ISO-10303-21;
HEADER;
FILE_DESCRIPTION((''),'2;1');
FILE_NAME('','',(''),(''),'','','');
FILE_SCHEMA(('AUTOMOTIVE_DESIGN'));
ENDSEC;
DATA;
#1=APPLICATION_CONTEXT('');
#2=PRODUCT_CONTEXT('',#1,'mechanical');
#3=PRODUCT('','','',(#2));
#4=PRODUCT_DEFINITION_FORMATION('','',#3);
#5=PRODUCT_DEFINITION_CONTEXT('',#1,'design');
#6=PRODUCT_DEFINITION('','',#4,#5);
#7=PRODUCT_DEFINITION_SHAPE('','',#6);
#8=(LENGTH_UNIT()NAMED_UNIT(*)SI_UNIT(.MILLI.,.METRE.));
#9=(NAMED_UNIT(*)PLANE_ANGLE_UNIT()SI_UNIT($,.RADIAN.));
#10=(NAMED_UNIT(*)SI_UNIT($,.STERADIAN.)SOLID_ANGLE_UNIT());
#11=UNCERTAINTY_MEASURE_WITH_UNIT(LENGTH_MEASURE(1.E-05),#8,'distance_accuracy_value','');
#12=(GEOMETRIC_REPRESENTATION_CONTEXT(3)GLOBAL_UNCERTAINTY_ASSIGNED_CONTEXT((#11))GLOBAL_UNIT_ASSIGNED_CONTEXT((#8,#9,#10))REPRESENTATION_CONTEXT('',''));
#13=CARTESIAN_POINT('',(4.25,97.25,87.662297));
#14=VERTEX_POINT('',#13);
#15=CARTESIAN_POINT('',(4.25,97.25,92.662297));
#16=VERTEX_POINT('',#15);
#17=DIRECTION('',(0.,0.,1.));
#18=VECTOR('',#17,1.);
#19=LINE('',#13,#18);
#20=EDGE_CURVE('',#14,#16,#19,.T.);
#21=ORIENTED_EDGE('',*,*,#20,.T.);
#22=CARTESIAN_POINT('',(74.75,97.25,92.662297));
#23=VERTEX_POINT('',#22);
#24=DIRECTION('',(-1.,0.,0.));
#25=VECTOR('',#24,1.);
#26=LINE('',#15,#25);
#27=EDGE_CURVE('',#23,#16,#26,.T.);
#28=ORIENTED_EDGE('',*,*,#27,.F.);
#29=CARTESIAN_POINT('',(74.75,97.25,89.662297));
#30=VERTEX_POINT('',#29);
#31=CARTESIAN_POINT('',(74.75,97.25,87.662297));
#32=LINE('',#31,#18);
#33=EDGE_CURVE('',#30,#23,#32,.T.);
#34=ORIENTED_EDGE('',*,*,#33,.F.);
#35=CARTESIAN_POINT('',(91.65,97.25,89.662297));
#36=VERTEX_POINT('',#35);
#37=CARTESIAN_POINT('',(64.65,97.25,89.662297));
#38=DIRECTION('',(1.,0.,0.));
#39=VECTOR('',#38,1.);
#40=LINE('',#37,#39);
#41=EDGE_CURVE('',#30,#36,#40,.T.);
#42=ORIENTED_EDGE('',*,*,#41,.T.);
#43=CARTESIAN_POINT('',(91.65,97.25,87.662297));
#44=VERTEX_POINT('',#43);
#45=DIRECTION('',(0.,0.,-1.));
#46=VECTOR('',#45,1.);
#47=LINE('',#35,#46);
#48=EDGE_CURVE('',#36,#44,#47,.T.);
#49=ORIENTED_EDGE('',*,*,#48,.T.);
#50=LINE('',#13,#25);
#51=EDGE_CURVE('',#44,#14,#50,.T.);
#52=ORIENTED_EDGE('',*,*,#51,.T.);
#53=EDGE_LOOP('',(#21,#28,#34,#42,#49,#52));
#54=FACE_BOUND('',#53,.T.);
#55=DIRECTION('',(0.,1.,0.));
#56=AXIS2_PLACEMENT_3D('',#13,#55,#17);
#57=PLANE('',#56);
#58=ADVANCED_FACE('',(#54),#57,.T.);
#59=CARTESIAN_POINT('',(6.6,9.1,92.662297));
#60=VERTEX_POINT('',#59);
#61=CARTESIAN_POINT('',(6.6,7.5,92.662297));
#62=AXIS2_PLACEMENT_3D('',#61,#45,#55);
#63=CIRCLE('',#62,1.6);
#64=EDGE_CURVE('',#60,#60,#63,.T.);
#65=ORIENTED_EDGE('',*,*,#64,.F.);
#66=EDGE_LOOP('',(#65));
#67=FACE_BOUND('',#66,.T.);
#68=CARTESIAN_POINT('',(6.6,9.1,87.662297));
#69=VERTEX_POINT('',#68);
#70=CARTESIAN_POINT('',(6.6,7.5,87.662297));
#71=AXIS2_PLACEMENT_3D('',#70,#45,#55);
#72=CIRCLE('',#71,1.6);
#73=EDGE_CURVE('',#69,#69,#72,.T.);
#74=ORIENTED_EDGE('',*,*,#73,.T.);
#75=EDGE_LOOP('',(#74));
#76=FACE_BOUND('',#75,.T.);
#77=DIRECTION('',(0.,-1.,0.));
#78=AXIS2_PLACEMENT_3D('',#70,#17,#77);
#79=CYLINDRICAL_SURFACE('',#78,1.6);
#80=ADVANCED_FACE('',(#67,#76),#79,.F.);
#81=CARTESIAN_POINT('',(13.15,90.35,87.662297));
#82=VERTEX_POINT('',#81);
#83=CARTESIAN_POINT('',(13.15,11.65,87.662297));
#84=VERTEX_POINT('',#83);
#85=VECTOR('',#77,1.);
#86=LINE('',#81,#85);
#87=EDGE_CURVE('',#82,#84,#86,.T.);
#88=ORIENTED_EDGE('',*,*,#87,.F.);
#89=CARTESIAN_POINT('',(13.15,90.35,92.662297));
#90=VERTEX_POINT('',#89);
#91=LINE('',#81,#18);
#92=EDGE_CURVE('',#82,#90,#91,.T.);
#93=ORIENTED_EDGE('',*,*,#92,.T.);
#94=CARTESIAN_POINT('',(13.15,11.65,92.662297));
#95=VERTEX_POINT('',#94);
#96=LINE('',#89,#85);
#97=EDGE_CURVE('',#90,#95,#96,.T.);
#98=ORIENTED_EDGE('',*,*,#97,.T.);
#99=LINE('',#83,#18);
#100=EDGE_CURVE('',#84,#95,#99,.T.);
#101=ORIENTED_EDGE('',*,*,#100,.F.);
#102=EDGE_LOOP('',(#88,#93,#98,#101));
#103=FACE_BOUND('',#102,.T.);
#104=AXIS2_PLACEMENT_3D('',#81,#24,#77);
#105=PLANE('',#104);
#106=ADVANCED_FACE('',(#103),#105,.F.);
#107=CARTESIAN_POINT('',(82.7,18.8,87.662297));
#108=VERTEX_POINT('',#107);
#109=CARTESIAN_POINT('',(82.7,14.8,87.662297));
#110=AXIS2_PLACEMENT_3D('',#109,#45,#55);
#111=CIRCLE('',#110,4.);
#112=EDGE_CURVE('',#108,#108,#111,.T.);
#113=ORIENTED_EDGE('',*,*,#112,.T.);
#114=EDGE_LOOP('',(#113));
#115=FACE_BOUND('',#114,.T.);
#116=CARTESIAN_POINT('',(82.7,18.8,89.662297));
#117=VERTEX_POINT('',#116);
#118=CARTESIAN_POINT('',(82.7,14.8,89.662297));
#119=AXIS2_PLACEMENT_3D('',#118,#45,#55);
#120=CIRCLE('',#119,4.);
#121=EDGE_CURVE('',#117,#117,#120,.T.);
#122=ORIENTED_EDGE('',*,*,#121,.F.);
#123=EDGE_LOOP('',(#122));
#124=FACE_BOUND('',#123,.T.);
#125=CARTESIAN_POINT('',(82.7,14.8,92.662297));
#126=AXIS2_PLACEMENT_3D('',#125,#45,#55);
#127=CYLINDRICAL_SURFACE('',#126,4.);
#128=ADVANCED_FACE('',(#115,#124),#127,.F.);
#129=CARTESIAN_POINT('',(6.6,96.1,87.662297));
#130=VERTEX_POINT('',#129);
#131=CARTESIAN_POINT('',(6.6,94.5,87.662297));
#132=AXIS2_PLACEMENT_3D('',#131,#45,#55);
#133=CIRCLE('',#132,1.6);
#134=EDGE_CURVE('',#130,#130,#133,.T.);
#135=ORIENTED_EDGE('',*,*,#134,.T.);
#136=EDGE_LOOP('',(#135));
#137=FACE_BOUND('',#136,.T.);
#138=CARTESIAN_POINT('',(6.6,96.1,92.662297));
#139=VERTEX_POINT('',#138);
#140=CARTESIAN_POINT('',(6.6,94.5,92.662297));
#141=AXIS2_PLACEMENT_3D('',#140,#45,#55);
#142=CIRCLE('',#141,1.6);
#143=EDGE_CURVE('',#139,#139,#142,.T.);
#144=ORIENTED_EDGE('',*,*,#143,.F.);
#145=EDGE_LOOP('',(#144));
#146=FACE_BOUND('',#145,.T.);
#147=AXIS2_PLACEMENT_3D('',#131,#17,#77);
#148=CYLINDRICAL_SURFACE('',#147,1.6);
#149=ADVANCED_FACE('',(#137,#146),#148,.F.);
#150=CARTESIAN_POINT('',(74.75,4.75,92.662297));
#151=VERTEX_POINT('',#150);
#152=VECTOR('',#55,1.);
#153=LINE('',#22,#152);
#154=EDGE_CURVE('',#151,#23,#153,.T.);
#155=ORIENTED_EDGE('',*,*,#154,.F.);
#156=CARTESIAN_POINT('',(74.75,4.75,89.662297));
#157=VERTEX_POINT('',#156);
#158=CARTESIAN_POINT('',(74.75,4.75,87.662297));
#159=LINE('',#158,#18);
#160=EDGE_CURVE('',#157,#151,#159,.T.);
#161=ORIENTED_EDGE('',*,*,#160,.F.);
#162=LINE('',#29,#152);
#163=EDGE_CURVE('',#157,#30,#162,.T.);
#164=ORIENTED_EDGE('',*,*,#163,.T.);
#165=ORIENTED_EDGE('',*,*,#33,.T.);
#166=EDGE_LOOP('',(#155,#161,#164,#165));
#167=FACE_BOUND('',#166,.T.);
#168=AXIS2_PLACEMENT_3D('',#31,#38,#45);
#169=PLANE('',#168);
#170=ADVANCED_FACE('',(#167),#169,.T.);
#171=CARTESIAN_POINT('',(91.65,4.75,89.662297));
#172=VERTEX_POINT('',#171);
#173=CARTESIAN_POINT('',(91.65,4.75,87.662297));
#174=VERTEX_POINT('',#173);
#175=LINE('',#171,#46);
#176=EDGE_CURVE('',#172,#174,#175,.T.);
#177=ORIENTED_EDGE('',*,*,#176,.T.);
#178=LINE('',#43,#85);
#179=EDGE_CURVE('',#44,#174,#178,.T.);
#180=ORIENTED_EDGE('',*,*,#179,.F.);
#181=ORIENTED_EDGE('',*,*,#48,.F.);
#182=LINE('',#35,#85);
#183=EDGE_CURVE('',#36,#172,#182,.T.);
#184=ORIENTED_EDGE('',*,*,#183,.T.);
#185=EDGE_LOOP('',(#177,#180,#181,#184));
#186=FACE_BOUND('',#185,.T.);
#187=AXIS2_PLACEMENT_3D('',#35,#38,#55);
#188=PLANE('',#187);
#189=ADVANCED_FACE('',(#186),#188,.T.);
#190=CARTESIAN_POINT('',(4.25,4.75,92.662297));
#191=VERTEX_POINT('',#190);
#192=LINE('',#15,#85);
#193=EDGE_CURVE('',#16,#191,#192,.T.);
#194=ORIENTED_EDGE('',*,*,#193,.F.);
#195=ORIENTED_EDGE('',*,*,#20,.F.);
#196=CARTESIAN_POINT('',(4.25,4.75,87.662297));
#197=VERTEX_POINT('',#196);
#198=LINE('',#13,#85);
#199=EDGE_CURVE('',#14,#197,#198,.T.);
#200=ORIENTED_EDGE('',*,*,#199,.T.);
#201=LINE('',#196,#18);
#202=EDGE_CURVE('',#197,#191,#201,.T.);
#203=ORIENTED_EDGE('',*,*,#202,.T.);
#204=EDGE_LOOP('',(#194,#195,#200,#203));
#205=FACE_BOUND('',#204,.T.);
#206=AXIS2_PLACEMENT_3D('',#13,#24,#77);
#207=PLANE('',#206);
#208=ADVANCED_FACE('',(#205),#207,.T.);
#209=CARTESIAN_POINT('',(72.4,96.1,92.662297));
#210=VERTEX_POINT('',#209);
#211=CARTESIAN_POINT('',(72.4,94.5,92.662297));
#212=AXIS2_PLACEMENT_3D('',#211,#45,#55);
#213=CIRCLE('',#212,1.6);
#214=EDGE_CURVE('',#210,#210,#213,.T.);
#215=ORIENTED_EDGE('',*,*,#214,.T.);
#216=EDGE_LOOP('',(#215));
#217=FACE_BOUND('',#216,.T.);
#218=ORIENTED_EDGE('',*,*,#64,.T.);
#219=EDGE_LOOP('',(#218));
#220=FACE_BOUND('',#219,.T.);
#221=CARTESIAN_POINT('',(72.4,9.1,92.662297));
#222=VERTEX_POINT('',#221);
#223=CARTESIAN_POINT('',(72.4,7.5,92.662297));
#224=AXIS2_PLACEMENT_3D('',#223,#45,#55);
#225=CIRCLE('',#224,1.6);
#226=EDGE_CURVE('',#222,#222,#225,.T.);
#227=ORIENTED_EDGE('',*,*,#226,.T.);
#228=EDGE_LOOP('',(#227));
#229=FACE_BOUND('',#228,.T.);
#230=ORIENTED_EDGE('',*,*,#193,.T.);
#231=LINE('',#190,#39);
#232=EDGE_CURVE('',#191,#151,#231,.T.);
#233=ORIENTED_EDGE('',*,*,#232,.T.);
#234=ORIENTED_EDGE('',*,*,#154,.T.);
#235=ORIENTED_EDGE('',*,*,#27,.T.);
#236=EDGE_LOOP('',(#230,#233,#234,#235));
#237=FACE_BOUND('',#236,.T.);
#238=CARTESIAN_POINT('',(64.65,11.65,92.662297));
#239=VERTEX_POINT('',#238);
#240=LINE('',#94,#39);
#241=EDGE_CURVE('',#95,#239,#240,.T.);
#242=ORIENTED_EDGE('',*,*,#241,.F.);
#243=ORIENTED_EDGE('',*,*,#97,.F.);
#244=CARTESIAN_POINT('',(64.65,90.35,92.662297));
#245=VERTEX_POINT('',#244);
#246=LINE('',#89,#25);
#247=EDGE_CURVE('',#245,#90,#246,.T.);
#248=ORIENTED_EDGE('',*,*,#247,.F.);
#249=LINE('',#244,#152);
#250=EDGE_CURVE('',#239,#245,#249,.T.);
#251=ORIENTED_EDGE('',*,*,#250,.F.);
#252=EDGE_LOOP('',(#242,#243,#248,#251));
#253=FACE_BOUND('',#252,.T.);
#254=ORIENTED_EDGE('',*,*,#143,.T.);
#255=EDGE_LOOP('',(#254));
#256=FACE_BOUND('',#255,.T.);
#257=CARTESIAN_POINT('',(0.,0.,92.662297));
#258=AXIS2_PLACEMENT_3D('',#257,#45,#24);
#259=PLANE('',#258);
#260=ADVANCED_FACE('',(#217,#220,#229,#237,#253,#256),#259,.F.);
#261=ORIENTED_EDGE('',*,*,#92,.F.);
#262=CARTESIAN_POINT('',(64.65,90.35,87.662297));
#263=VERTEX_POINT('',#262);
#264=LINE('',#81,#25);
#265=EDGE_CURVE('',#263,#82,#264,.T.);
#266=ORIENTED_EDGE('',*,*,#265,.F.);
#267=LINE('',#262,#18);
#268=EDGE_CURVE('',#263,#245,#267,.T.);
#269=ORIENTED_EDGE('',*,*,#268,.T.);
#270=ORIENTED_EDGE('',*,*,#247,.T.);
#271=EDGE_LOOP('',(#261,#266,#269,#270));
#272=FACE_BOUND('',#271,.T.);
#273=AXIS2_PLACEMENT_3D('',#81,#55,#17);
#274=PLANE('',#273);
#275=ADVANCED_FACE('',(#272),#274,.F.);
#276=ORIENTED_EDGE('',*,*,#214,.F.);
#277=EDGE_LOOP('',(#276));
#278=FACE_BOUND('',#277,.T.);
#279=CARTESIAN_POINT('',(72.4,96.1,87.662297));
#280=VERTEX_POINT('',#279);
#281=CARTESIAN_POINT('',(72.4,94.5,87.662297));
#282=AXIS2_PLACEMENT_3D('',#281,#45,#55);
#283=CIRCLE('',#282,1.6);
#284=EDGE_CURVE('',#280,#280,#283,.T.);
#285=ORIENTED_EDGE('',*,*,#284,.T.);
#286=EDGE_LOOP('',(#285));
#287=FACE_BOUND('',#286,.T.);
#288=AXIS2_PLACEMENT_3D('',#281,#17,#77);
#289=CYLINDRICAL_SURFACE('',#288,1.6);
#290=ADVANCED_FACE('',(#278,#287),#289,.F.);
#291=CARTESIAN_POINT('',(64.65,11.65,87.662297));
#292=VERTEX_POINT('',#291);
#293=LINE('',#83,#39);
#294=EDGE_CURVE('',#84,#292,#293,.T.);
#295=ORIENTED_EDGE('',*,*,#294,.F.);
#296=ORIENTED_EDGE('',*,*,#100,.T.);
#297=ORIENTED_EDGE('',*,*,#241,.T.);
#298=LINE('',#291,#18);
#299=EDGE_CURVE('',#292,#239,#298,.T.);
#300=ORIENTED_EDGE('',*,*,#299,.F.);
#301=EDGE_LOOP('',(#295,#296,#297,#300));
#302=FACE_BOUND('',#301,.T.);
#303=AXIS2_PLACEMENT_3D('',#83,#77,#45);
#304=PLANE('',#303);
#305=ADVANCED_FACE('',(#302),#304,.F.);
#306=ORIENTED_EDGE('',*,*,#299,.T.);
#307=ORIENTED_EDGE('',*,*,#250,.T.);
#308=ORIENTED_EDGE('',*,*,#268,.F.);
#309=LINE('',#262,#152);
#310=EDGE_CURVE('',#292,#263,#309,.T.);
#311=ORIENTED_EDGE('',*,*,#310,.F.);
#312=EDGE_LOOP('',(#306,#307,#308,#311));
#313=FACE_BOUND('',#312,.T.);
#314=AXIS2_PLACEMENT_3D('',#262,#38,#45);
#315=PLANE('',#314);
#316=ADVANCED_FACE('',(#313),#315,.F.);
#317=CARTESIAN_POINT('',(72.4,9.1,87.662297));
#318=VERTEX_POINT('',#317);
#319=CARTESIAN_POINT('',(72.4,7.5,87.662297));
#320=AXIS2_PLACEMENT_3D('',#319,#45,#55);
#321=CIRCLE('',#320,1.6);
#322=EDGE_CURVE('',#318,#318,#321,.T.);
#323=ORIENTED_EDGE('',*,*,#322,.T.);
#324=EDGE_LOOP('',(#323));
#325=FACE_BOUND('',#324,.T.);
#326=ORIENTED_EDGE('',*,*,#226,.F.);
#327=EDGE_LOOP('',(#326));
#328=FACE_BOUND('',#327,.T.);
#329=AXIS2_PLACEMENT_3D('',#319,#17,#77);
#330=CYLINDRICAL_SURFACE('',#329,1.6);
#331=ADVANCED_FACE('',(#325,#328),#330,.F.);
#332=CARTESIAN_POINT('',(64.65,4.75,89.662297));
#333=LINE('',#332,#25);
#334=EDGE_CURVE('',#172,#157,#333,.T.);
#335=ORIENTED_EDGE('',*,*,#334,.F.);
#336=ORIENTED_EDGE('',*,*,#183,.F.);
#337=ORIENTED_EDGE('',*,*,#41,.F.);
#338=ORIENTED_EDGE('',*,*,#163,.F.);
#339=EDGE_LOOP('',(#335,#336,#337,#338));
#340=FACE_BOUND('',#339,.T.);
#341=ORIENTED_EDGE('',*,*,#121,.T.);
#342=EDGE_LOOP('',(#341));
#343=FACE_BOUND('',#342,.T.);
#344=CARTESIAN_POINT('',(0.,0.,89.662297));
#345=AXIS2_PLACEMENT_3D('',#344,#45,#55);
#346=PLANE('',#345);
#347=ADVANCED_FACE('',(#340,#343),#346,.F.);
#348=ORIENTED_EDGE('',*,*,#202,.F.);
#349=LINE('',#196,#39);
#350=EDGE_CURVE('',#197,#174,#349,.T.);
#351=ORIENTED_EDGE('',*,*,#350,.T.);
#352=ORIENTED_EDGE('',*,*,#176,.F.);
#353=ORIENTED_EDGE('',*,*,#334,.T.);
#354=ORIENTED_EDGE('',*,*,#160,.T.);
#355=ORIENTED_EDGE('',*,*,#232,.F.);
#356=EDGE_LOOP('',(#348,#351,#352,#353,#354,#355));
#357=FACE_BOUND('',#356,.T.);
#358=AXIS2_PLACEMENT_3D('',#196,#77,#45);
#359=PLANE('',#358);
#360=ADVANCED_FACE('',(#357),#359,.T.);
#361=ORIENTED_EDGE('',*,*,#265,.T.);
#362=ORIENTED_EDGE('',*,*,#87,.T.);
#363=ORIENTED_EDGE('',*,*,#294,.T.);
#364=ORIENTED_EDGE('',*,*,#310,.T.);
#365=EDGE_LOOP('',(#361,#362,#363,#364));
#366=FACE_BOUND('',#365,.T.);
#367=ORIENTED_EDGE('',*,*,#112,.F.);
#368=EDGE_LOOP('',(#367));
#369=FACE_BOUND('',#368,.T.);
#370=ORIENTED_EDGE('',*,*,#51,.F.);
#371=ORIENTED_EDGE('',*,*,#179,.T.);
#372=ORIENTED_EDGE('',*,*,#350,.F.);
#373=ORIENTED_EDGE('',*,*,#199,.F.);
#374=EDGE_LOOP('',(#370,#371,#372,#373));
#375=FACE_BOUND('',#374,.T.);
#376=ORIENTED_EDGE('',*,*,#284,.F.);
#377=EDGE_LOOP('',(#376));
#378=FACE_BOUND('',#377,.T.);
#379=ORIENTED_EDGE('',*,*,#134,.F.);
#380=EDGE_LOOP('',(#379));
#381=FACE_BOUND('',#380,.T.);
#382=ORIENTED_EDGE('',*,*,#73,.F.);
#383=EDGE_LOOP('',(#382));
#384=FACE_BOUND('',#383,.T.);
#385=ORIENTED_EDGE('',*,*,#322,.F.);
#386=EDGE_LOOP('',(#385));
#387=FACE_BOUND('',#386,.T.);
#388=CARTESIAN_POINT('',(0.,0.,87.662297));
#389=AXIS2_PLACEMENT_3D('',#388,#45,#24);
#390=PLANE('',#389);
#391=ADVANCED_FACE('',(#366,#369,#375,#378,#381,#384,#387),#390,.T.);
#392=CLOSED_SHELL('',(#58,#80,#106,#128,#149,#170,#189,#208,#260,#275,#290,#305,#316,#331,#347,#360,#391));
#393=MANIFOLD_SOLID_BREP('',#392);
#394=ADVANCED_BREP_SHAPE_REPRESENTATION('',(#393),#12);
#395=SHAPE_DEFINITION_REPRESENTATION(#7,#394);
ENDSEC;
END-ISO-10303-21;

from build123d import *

# Parameters (mm, degrees)
SKETCH_1_W          = 71
SKETCH_1_H          = 93
SKETCH_1_R          = 1.6
SKETCH_1_W_2        = 51
SKETCH_1_H_2        = 78.2
EXTRUDE_1_DEPTH     = 5
SKETCH_2_W          = 71
SKETCH_2_H          = 93
SKETCH_2_W_2        = 70.5
SKETCH_2_H_2        = 92.5
CUT_EXTRUDE_1_DEPTH = 6
SKETCH_3_W          = 51.5
SKETCH_3_H          = 78.7
SKETCH_3_W_2        = 51
SKETCH_3_H_2        = 78.2
CUT_EXTRUDE_2_DEPTH = 6
SKETCH_5_W          = 27
SKETCH_5_H          = 92.5
SKETCH_5_R          = 1.6
EXTRUDE_3_DEPTH     = 2
SKETCH_7_R          = 4
CUT_EXTRUDE_3_DEPTH = 6


with BuildPart() as part:
    # Эскиз1 → Бобышка-Вытянуть1 (new body)
    with BuildSketch(Plane(origin=(0, 0, 92.662297423), x_dir=(-1, 0, 0), z_dir=(0, 0, -1))):
        with Locations((-39.5, 51)):
            Rectangle(SKETCH_1_W, SKETCH_1_H)
        with Locations((-6.6, 7.5)):
            Circle(SKETCH_1_R, mode=Mode.SUBTRACT)
        with Locations((-72.4, 7.5)):
            Circle(SKETCH_1_R, mode=Mode.SUBTRACT)
        with Locations((-6.6, 94.5)):
            Circle(SKETCH_1_R, mode=Mode.SUBTRACT)
        with Locations((-72.4, 94.5)):
            Circle(SKETCH_1_R, mode=Mode.SUBTRACT)
        with Locations((-38.9, 51)):
            Rectangle(SKETCH_1_W_2, SKETCH_1_H_2, mode=Mode.SUBTRACT)
    extrude(amount=EXTRUDE_1_DEPTH)

    # Эскиз2 → Вырез-Вытянуть1 (cut, through all)
    with BuildSketch(Plane.XY.offset(92.662297423)):
        with Locations((39.5, 51)):
            Rectangle(SKETCH_2_W, SKETCH_2_H)
        with Locations((39.5, 51)):
            Rectangle(SKETCH_2_W_2, SKETCH_2_H_2, mode=Mode.SUBTRACT)
    extrude(amount=-CUT_EXTRUDE_1_DEPTH, mode=Mode.SUBTRACT)

    # Эскиз3 → Вырез-Вытянуть2 (cut, through all)
    with BuildSketch(Plane.XY.offset(92.662297423)):
        with Locations((38.9, 51)):
            Rectangle(SKETCH_3_W, SKETCH_3_H)
        with Locations((38.9, 51)):
            Rectangle(SKETCH_3_W_2, SKETCH_3_H_2, mode=Mode.SUBTRACT)
    extrude(amount=-CUT_EXTRUDE_2_DEPTH, mode=Mode.SUBTRACT)

    # Эскиз5 → Бобышка-Вытянуть3 (add)
    with BuildSketch(Plane(origin=(0, 0, 87.662297423), x_dir=(-1, 0, 0), z_dir=(0, 0, -1))):
        with Locations((-78.15, 51)):
            Rectangle(SKETCH_5_W, SKETCH_5_H)
        with Locations((-72.4, 94.5)):
            Circle(SKETCH_5_R, mode=Mode.SUBTRACT)
        with Locations((-72.4, 7.5)):
            Circle(SKETCH_5_R, mode=Mode.SUBTRACT)
    extrude(amount=-EXTRUDE_3_DEPTH)

    # Эскиз7 → Вырез-Вытянуть3 (cut, through all)
    with BuildSketch(Plane(origin=(0, 0, 87.662297423), x_dir=(-1, 0, 0), z_dir=(0, 0, -1))):
        with Locations((-82.7, 14.8)):
            Circle(SKETCH_7_R)
    extrude(amount=-CUT_EXTRUDE_3_DEPTH, mode=Mode.SUBTRACT)


solid = part.part
